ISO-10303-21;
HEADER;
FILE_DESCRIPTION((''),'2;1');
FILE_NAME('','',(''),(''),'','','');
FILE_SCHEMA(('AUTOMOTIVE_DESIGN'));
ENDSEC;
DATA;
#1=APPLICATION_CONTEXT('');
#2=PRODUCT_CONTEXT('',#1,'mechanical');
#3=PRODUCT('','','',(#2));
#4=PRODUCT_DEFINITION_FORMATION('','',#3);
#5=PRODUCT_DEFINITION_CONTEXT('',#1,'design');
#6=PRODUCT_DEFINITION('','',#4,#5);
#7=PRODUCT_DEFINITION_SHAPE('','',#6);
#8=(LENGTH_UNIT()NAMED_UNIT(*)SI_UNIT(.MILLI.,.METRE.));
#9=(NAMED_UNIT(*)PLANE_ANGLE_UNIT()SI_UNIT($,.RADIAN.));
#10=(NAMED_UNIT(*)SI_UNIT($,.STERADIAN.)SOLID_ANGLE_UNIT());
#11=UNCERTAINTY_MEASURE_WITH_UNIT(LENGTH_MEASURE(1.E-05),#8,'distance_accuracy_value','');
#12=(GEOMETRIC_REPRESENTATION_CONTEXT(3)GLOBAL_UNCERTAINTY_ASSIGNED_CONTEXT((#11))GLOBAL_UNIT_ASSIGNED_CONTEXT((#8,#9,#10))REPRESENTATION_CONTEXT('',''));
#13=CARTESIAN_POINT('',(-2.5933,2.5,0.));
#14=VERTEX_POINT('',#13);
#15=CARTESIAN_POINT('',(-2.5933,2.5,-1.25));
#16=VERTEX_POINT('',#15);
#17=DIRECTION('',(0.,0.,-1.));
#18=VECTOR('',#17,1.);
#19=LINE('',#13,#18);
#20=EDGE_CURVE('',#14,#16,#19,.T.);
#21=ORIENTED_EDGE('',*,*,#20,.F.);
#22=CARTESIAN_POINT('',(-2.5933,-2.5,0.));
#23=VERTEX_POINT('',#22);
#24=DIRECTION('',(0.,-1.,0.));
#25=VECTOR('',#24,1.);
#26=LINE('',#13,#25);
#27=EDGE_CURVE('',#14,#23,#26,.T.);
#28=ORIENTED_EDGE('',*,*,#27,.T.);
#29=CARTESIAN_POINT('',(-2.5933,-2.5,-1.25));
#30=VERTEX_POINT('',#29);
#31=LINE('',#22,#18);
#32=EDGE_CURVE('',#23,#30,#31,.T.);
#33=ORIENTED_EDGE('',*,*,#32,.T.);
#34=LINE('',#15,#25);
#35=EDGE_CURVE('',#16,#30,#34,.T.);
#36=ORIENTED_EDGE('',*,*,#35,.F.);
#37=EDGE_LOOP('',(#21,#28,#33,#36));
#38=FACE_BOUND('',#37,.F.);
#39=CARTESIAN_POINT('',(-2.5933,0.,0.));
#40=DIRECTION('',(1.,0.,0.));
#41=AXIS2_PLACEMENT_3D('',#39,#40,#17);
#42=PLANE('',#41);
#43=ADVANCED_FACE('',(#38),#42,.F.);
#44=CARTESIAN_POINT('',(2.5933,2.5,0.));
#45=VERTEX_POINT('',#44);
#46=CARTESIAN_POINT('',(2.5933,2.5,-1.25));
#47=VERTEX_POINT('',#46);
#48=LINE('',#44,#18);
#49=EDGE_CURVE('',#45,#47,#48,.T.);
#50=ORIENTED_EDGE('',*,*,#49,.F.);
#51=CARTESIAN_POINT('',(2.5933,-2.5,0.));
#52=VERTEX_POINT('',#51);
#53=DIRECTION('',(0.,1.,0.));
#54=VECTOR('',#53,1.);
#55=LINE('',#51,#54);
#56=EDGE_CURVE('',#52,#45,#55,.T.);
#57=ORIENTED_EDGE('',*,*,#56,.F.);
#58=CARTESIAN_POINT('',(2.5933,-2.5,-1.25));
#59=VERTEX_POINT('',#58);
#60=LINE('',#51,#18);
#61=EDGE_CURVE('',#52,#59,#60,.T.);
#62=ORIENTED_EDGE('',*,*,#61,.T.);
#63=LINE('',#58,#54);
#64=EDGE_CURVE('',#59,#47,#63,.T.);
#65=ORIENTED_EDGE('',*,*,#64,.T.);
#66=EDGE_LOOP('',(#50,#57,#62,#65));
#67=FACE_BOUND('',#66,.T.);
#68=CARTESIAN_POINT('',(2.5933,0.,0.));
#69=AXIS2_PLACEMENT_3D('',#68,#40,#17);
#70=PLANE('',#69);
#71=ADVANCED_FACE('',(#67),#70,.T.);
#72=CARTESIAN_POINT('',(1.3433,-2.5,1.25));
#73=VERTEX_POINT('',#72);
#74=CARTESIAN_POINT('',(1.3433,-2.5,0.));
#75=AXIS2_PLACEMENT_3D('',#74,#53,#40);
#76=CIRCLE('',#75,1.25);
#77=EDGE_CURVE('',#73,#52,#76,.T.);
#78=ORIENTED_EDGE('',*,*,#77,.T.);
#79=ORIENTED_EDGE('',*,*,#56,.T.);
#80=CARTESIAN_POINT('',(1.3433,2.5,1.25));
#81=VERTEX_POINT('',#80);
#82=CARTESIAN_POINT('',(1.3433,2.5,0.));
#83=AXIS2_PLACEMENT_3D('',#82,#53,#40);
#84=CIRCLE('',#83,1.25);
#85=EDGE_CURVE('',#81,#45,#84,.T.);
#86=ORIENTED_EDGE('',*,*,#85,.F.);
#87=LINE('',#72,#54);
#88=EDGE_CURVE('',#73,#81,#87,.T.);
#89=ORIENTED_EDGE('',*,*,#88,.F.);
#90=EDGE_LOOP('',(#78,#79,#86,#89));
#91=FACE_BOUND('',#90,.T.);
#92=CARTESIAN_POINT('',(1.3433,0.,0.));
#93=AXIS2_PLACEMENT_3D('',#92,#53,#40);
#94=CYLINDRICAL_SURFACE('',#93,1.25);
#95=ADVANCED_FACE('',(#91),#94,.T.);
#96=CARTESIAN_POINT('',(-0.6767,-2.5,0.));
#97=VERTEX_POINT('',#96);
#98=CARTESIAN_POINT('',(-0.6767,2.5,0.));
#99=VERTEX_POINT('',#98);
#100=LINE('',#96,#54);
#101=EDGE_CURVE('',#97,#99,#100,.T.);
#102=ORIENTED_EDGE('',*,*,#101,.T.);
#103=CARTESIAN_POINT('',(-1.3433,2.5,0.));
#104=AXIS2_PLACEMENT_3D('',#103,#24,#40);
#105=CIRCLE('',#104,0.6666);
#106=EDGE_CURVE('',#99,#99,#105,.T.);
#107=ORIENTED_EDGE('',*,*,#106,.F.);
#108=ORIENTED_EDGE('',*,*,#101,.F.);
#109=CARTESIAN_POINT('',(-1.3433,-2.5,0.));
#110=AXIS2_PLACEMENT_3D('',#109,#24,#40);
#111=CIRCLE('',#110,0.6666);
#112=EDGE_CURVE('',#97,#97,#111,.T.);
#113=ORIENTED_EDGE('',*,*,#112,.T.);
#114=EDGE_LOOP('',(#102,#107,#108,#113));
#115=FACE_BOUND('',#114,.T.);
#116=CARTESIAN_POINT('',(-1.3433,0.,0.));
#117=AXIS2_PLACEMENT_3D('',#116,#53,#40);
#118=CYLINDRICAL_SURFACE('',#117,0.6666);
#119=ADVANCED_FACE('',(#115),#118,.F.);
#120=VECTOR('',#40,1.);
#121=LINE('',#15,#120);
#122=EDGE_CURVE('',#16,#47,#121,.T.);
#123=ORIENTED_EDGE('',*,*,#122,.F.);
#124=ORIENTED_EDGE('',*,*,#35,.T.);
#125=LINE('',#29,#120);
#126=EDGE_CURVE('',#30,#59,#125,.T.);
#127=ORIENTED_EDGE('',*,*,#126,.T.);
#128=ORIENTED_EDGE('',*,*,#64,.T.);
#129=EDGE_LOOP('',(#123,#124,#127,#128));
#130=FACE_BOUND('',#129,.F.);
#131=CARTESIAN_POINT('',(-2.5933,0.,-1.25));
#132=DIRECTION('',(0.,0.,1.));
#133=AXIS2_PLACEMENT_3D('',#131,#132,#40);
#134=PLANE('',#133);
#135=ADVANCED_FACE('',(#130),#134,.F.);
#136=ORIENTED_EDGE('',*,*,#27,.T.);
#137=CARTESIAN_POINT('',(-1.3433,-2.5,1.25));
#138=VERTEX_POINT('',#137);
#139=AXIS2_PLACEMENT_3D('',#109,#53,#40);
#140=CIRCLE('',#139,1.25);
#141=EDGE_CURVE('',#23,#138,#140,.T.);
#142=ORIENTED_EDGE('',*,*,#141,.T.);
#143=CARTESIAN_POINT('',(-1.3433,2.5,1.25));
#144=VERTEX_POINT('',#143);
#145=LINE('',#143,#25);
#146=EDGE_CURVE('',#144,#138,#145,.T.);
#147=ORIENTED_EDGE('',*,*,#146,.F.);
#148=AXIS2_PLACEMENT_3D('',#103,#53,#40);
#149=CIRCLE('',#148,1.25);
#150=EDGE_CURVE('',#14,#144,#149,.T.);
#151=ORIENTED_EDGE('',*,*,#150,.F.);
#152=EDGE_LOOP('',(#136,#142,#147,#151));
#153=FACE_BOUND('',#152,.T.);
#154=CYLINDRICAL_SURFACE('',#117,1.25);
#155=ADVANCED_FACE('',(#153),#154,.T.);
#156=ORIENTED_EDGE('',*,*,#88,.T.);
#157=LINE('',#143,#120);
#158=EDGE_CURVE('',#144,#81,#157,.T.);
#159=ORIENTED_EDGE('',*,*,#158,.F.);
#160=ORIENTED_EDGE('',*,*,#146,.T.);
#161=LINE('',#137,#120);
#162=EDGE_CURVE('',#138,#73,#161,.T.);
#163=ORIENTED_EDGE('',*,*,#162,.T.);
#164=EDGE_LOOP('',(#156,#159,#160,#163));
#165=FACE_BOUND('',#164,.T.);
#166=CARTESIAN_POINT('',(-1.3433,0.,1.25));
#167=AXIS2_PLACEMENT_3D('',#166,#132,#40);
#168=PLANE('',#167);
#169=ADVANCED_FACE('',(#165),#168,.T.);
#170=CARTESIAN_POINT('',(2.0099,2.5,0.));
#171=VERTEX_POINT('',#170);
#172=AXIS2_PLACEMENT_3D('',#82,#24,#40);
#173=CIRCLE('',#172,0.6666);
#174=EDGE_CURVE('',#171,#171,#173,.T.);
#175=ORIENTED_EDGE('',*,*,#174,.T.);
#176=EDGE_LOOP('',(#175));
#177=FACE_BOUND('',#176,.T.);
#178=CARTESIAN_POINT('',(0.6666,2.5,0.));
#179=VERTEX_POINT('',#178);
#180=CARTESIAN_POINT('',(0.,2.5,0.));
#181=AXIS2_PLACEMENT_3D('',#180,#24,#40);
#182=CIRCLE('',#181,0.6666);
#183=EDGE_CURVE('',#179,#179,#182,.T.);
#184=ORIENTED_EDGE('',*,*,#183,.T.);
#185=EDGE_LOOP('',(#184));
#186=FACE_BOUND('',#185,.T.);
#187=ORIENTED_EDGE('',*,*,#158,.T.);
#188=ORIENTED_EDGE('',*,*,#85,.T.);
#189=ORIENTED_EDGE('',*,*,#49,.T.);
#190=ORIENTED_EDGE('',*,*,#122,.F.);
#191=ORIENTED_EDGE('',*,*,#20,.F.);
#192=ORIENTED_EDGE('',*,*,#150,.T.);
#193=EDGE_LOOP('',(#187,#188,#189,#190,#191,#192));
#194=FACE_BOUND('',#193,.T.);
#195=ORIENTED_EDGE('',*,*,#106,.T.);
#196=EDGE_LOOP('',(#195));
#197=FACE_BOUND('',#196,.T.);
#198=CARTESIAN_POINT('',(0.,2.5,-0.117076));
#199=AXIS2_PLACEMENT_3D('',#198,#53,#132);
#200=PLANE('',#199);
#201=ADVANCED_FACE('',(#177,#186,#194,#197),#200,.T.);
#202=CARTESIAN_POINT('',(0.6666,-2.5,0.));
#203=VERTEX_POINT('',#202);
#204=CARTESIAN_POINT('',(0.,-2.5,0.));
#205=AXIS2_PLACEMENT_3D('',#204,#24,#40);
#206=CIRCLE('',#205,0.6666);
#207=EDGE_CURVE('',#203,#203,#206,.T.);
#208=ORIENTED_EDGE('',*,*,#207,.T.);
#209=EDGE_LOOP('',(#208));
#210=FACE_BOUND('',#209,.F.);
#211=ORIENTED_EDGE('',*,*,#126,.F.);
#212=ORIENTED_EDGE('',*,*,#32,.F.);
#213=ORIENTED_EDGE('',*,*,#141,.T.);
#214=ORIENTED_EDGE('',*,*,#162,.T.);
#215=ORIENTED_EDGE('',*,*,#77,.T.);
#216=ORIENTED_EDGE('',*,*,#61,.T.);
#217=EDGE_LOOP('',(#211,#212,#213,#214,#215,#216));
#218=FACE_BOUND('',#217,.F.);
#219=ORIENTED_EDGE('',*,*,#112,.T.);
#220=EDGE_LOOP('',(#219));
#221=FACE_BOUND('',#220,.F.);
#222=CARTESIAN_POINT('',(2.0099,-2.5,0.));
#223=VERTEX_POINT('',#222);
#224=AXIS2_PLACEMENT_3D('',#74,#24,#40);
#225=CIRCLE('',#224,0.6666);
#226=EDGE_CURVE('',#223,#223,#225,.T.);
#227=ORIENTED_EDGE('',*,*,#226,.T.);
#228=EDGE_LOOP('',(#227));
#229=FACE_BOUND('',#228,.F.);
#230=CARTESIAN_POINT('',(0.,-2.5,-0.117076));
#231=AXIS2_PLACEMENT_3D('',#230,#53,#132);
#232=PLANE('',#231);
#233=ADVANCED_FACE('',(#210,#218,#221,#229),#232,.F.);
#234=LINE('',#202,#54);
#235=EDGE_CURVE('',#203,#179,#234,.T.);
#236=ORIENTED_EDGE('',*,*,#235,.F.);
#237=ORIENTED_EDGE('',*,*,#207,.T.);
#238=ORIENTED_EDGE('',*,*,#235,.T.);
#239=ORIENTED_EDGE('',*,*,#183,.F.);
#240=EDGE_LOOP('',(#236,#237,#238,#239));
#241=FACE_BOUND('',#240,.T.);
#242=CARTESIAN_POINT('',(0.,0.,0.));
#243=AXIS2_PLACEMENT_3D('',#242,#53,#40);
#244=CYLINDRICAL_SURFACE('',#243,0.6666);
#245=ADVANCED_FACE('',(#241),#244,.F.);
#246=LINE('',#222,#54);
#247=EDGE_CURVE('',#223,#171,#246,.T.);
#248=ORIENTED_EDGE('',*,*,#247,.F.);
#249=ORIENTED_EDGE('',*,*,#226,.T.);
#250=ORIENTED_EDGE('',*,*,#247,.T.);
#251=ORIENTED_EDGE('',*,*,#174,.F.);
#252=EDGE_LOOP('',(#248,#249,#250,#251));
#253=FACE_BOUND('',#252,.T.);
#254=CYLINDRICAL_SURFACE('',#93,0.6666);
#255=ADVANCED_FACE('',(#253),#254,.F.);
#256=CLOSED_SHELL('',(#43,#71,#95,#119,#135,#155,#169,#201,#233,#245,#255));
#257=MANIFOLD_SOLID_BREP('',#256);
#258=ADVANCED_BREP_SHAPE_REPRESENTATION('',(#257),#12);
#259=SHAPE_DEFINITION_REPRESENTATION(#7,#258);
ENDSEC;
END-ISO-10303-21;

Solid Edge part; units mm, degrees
sketch "Sketch1" plane through (0, 0, 0) normal (0, -1, 0) x (1, 0, 0)
  circle A0 centre (0, 0) radius 0.6666
  circle A1 centre (-1.3433, 0) radius 0.6666
  circle A2 centre (1.3433, 0) radius 0.6666
  line L0 (-1.3433, 1.25) -> (1.3433, 1.25)
  line L1 (2.5933, 0) -> (2.5933, -1.25)
  line L2 (-2.5933, -1.25) -> (2.5933, -1.25)
  line L3 (-2.5933, 0) -> (-2.5933, -1.25)
  arc A3 (-2.5933, 0) -> (-1.3433, 1.25) centre (-1.3433, 0) cw
  arc A4 (1.3433, 1.25) -> (2.5933, 0) centre (1.3433, 0) cw
extrude "Protrusion1" add sketch "Sketch1" along normal mid plane 5
